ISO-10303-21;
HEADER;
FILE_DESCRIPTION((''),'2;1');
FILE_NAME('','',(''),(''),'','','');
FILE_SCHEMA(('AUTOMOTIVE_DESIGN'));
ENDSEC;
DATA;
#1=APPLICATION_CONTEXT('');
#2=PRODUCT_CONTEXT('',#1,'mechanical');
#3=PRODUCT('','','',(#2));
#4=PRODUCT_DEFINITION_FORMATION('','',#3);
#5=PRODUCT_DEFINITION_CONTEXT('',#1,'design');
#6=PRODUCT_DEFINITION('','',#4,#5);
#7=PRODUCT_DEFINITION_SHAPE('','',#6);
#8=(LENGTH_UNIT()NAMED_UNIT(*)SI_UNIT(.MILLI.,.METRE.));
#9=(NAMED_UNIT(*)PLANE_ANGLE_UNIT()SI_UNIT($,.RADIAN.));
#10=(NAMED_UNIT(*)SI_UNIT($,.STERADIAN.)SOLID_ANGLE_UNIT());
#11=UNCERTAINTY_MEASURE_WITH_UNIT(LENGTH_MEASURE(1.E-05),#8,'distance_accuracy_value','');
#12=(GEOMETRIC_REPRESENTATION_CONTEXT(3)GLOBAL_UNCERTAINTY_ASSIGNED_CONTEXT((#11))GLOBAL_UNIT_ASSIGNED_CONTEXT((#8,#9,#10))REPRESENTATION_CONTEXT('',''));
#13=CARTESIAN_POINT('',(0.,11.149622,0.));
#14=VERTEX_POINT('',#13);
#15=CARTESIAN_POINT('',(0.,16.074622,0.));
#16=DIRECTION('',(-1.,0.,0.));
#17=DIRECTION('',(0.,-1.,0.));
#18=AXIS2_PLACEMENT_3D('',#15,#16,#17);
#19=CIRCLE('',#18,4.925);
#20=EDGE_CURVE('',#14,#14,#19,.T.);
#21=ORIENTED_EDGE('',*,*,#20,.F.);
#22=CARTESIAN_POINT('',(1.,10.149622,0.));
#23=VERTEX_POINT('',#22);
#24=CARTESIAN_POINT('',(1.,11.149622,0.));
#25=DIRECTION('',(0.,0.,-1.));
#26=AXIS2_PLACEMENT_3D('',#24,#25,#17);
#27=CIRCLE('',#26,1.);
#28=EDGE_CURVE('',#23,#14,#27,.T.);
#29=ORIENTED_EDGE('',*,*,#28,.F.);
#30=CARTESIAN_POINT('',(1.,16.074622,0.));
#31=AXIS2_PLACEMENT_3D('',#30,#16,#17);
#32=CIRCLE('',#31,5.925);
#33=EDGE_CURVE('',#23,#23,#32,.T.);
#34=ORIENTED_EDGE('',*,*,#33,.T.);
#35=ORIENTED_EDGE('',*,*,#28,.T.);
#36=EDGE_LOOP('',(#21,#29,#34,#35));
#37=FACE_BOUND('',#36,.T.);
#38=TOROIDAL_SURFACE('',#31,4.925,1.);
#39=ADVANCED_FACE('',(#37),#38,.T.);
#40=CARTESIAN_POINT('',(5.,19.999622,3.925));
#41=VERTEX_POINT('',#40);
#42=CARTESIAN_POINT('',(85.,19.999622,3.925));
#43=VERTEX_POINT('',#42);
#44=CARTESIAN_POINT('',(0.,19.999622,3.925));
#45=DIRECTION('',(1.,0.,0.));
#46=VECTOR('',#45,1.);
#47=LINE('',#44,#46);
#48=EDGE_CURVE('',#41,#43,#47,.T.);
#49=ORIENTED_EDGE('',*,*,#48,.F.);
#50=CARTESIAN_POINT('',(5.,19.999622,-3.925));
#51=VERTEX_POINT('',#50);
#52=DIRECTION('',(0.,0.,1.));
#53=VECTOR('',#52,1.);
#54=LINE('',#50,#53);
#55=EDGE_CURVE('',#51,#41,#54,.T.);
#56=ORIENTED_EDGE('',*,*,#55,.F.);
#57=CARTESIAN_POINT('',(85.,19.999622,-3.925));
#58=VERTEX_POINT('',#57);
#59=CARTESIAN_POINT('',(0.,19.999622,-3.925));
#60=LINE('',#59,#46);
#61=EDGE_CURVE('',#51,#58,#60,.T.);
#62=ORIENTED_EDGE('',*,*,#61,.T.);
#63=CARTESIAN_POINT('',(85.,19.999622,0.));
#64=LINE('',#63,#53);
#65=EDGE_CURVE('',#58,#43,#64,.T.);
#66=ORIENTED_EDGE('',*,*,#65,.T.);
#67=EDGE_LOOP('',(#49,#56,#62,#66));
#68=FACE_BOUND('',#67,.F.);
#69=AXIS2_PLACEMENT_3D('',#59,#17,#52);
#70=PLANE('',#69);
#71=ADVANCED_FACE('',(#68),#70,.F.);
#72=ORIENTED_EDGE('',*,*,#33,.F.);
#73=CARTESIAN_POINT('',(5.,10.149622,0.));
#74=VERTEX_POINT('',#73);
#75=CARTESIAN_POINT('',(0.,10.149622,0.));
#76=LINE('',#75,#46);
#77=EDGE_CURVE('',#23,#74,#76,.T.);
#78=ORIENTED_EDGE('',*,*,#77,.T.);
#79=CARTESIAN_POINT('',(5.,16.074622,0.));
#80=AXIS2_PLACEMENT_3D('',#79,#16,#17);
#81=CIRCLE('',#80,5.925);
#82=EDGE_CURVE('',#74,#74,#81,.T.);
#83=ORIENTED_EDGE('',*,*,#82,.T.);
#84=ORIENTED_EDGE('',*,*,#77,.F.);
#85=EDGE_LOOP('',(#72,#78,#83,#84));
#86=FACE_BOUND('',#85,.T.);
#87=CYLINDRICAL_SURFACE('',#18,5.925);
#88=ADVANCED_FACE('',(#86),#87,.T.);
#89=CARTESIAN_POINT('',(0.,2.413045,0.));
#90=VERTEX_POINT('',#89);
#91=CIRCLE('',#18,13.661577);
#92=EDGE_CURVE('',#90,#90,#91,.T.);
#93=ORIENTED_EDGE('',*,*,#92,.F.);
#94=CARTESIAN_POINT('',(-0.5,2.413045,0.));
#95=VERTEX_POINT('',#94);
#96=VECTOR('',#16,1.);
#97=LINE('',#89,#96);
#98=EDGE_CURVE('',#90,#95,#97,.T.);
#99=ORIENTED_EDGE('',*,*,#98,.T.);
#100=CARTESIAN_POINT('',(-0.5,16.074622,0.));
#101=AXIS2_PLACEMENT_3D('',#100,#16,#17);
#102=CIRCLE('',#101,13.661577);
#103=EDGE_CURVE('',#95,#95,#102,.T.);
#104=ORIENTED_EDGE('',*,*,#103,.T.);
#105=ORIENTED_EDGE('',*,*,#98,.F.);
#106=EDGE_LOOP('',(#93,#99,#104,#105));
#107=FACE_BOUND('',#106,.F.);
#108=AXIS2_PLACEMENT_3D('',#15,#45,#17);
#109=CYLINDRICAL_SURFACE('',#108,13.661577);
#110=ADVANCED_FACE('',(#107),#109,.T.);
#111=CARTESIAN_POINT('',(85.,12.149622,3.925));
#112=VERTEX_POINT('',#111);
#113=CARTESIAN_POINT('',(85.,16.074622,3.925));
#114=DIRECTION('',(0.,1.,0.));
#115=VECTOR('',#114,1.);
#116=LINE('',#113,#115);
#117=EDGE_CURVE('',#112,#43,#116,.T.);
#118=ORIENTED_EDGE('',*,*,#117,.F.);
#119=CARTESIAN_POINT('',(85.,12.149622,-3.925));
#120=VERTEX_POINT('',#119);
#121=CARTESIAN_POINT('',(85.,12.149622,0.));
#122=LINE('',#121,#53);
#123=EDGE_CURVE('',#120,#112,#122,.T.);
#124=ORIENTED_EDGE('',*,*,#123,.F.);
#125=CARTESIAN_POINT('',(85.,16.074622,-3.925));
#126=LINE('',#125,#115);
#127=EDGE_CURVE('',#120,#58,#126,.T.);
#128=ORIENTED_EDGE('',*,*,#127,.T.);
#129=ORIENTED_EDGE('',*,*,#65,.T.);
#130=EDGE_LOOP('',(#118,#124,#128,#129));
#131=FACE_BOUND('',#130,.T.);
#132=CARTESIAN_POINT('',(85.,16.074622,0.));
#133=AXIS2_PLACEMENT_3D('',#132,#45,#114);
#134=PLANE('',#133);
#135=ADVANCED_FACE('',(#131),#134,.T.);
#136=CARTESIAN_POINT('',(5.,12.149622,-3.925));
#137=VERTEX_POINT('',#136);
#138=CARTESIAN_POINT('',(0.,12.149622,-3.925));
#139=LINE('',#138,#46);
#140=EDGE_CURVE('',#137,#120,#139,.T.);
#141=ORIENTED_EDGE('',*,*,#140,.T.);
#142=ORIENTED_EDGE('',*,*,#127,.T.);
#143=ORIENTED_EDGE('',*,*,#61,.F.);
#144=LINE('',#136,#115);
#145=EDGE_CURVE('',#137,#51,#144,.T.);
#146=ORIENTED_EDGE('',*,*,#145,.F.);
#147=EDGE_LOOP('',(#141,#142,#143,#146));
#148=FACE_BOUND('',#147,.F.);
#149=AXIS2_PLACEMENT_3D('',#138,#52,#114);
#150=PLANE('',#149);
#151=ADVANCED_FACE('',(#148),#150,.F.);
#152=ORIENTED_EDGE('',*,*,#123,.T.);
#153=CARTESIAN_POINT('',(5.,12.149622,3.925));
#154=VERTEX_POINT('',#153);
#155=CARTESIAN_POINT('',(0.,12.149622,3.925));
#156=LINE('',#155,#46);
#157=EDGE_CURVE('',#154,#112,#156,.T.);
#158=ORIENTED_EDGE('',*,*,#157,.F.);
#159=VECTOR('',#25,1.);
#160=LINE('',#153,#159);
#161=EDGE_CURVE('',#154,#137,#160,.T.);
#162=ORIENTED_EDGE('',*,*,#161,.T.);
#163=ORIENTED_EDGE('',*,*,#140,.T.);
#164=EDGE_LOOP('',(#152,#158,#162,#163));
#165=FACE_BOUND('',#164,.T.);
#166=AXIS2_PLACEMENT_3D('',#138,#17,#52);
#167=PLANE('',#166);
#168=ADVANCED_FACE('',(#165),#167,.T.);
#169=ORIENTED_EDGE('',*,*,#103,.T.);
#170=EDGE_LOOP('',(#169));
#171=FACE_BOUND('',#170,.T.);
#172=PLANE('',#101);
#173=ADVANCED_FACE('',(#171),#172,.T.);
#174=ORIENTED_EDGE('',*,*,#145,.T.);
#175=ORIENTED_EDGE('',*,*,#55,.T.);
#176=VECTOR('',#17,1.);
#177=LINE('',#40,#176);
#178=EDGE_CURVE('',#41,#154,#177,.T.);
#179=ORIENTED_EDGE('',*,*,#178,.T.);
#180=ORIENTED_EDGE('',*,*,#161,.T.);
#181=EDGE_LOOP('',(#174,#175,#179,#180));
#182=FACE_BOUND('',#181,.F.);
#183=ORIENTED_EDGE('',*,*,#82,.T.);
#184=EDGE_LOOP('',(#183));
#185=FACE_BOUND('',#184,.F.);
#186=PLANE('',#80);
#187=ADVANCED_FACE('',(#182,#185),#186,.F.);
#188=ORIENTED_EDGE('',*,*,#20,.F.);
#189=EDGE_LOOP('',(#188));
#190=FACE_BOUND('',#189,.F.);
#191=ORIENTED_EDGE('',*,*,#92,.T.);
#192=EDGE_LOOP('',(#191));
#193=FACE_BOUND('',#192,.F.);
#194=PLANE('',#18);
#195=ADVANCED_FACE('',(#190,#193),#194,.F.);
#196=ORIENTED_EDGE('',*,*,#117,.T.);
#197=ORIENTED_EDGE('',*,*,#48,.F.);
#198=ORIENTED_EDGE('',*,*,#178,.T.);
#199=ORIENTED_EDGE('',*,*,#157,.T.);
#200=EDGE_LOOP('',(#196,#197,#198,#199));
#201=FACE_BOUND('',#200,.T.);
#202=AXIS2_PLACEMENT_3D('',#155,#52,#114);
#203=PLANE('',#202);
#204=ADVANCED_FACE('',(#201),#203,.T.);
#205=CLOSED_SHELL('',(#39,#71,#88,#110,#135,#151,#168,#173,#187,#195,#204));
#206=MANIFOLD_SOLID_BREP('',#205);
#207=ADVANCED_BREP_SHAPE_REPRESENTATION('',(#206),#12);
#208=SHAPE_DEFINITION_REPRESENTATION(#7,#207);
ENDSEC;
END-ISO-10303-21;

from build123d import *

# Parameters (mm, degrees)
F0_W     = 7.85
F0_H     = 7.85
F1_DEPTH = 85
F2_R     = 5.925
F3_DEPTH = 5
F4_R     = 1
F5_R     = 13.6615771023
F5_R_2   = 4.925
F6_DEPTH = 0.5


with BuildPart() as f1:
    # F0 (on Right) → F1 (new body)
    with BuildSketch(Plane.YZ):
        with Locations((16.0746219532, 0)):
            Rectangle(F0_W, F0_H)
    extrude(amount=F1_DEPTH)

    # F2 (on face) → F3 (join)
    with BuildSketch(Plane(origin=(0, 0, 0), x_dir=(0, -1, 0), z_dir=(-1, 0, 0))):
        with Locations((-16.0746219532, 0)):
            Circle(F2_R)
        Polygon((-19.9996219532, 3.925), (-16.0746219532, 3.925), (-12.1496219532, 3.925), (-12.1496219532, 0), (-12.1496219532, -3.925), (-16.0746219532, -3.925), (-19.9996219532, -3.925), (-19.9996219532, 0), align=None, mode=Mode.SUBTRACT)
    extrude(amount=-F3_DEPTH)

    # F4
    f4_edges = [f1.edges().sort_by_distance(p)[0] for p in [
        (0, 21.999622, 0),
    ]]
    fillet(f4_edges, radius=F4_R)

    # F5 (on face) → F6 (join)
    with BuildSketch(Plane(origin=(0, 0, 0), x_dir=(0, -1, 0), z_dir=(-1, 0, 0))):
        with Locations((-16.0746219532, 0)):
            Circle(F5_R)
        with Locations((-16.0746219532, 0)):
            Circle(F5_R_2, mode=Mode.SUBTRACT)
        with Locations((-16.0746219532, 0)):
            Circle(F5_R_2)
    extrude(amount=F6_DEPTH)


solid = f1.part
